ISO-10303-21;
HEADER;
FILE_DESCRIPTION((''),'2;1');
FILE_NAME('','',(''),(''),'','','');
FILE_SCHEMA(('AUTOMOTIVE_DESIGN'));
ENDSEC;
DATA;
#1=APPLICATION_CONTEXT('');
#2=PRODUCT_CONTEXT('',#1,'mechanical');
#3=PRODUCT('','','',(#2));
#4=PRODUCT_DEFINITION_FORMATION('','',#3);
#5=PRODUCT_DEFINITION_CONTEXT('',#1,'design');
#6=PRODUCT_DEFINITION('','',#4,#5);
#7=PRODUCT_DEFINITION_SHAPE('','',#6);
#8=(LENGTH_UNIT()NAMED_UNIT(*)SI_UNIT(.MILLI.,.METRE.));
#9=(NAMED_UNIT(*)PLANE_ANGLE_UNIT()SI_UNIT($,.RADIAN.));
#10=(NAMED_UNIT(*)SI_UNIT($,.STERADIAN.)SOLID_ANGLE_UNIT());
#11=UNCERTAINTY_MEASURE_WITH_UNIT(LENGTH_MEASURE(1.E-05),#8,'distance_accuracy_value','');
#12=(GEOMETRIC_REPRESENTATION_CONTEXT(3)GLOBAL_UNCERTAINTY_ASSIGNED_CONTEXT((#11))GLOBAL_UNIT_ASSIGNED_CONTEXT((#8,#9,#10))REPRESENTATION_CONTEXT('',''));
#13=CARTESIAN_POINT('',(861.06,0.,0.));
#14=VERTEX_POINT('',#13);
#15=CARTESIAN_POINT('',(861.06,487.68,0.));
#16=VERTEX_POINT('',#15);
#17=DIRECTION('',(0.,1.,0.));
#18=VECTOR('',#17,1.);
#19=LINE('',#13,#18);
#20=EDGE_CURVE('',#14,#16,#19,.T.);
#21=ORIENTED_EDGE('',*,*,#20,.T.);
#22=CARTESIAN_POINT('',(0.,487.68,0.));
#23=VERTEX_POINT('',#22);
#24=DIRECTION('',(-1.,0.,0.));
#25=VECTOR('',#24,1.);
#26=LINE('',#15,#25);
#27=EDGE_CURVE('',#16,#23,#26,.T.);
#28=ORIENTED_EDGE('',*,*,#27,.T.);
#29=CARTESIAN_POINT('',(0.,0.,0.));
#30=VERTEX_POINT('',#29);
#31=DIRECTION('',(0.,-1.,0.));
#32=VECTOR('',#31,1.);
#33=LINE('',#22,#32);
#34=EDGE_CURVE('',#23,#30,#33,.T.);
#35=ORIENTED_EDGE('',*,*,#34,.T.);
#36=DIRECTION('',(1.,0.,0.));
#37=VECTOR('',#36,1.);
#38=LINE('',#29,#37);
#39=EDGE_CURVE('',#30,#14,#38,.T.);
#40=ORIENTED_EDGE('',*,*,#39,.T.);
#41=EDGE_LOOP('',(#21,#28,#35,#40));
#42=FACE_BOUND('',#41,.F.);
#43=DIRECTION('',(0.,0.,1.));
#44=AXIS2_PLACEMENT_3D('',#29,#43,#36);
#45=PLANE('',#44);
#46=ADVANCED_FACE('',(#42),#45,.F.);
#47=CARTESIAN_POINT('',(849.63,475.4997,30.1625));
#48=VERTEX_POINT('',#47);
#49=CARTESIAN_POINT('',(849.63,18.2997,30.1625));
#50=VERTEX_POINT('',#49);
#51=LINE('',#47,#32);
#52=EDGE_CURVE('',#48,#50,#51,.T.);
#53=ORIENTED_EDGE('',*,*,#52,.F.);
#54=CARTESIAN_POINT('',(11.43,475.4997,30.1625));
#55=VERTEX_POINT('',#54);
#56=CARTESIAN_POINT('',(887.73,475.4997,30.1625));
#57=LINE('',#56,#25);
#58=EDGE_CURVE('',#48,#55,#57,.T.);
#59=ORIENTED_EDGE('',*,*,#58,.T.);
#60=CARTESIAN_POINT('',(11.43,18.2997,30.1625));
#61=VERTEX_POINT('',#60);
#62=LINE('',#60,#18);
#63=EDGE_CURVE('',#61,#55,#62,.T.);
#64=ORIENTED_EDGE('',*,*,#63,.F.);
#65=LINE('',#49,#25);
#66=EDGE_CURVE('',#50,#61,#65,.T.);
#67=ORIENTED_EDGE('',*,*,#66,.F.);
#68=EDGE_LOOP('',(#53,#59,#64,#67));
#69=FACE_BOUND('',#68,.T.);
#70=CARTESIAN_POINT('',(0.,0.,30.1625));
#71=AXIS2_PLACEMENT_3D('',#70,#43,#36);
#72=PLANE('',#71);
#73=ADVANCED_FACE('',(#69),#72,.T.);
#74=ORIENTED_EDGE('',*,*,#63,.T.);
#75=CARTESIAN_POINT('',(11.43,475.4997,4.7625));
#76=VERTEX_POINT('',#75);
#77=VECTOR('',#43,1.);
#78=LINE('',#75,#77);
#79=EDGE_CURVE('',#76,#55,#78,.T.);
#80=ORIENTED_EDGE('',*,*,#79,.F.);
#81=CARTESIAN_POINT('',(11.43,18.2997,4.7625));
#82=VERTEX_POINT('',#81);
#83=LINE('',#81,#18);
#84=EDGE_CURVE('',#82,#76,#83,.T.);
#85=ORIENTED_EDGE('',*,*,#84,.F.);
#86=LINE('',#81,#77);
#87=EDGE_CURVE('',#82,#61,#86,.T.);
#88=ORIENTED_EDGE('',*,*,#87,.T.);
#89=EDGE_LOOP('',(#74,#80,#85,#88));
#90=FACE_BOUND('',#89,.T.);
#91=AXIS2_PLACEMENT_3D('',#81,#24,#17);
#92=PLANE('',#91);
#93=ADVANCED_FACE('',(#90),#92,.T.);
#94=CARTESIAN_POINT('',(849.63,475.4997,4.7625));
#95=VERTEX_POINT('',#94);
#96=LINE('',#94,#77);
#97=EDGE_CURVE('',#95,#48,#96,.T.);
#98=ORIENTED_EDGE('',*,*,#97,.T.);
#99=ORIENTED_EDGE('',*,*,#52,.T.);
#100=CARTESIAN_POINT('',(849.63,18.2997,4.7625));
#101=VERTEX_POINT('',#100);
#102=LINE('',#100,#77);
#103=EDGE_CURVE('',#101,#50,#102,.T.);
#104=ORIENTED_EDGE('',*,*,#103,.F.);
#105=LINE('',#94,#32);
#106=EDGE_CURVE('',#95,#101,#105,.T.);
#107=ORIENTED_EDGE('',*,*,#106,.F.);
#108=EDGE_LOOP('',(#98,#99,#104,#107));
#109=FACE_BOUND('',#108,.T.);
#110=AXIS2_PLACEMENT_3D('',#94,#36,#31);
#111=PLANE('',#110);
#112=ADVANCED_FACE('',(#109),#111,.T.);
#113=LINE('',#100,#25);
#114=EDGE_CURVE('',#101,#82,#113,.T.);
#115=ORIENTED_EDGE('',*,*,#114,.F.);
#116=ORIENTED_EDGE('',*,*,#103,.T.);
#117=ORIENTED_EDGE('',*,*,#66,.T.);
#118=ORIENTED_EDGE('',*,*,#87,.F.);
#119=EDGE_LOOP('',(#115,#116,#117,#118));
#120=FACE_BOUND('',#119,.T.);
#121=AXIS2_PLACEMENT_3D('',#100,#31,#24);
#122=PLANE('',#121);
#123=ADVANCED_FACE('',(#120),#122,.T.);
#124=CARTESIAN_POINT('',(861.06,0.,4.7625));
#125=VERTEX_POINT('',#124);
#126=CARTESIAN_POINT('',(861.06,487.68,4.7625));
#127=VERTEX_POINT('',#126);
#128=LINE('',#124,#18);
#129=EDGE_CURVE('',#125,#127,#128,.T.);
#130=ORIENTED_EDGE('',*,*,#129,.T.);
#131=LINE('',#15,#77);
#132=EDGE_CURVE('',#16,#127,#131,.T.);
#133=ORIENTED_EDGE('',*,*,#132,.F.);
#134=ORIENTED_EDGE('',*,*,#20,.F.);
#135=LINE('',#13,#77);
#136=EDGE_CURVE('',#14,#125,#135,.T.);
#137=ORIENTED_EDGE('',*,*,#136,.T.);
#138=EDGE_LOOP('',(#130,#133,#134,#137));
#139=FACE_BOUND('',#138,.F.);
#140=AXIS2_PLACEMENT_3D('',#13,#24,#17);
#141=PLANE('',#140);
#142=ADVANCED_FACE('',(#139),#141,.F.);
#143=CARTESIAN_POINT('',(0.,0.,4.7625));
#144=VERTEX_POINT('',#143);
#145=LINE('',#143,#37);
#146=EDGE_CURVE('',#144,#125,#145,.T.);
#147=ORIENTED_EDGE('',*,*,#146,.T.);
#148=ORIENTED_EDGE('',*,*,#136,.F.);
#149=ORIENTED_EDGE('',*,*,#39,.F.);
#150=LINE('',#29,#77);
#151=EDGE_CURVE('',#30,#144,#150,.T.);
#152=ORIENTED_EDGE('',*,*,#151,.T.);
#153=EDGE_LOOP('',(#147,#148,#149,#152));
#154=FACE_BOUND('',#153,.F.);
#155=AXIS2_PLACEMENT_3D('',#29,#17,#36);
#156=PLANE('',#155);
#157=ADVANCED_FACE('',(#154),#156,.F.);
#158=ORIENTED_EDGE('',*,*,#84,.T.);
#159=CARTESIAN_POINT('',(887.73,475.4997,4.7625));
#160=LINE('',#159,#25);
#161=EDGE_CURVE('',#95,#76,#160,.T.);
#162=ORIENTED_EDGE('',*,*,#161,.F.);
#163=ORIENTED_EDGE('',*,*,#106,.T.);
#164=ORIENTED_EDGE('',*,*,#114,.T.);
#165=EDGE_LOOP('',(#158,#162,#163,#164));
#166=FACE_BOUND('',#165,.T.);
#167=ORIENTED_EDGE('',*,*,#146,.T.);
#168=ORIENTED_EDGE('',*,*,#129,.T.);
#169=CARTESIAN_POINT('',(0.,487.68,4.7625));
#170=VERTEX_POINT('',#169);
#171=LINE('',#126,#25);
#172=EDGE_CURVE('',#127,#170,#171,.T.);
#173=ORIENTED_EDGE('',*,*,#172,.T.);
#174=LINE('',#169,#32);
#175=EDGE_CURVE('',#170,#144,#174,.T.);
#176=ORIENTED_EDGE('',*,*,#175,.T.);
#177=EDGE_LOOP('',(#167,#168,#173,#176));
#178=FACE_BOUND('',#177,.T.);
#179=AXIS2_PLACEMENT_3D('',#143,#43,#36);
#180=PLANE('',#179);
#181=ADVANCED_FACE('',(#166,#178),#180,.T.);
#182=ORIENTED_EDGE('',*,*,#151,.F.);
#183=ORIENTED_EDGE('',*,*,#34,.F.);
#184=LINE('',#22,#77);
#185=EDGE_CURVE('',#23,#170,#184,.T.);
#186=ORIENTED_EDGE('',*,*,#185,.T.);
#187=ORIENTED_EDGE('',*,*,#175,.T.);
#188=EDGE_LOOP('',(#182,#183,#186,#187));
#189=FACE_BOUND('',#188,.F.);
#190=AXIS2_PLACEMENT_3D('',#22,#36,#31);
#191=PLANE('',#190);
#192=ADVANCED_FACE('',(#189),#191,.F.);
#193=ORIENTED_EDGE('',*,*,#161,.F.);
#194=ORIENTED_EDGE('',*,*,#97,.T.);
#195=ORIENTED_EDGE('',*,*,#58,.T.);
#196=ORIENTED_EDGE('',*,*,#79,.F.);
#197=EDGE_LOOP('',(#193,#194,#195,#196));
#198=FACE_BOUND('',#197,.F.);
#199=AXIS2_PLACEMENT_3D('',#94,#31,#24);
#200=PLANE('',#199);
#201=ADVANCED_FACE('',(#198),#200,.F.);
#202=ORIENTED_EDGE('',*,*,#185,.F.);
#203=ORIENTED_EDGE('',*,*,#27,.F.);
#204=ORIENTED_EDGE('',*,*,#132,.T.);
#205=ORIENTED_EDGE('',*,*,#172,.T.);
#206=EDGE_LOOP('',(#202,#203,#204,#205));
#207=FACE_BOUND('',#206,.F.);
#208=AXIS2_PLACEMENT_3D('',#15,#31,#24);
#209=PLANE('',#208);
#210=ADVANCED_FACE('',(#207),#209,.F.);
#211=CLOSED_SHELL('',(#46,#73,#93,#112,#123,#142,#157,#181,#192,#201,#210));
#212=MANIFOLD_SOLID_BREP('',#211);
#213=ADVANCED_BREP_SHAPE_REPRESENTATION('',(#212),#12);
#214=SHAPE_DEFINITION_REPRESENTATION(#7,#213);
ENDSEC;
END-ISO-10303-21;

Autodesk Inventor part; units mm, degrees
ref_plane "YZ Plane" through (0, 0, 0) normal (1, 0, 0) x (0, 1, 0)
ref_plane "XZ Plane" through (0, 0, 0) normal (0, 1, 0) x (-1, 0, 0)
ref_plane "XY Plane" through (0, 0, 0) normal (0, 0, 1) x (1, 0, 0)
sketch "Sketch1" plane through (0, 0, 0) normal (0, 0, 1) x (1, 0, 0)
  line L0 (0, 0) -> (861.06, 0)
  line L1 (861.06, 0) -> (861.06, 487.68)
  line L2 (861.06, 487.68) -> (0, 487.68)
  line L3 (0, 487.68) -> (0, 0)
  dimension "d2" = 861.06
  dimension "d3" = 487.68
extrude "Extrusion1" add sketch "Sketch1" along normal blind 4.7625
sketch "Sketch2" plane through (0, 0, 4.7625) normal (0, 0, 1) x (1, 0, 0)
  line L0 (849.63, 475.4997) -> (849.63, 18.2997) projected
  line L1 (887.73, 475.4997) -> (-26.67, 475.4997) projected
  line L2 (11.43, 18.2997) -> (11.43, 475.4997) projected
  line L3 (849.63, 18.2997) -> (11.43, 18.2997) projected
  line L4 (11.43, 18.2997) -> (849.63, 18.2997)
  line L5 (849.63, 18.2997) -> (849.63, 475.4997)
  line L6 (849.63, 475.4997) -> (11.43, 475.4997)
  line L7 (11.43, 475.4997) -> (11.43, 18.2997)
  point P0 (0, 0)
extrude "Extrusion2" add sketch "Sketch2" along normal blind 25.4
properties part number "gatorboard_01875in_front_door"
